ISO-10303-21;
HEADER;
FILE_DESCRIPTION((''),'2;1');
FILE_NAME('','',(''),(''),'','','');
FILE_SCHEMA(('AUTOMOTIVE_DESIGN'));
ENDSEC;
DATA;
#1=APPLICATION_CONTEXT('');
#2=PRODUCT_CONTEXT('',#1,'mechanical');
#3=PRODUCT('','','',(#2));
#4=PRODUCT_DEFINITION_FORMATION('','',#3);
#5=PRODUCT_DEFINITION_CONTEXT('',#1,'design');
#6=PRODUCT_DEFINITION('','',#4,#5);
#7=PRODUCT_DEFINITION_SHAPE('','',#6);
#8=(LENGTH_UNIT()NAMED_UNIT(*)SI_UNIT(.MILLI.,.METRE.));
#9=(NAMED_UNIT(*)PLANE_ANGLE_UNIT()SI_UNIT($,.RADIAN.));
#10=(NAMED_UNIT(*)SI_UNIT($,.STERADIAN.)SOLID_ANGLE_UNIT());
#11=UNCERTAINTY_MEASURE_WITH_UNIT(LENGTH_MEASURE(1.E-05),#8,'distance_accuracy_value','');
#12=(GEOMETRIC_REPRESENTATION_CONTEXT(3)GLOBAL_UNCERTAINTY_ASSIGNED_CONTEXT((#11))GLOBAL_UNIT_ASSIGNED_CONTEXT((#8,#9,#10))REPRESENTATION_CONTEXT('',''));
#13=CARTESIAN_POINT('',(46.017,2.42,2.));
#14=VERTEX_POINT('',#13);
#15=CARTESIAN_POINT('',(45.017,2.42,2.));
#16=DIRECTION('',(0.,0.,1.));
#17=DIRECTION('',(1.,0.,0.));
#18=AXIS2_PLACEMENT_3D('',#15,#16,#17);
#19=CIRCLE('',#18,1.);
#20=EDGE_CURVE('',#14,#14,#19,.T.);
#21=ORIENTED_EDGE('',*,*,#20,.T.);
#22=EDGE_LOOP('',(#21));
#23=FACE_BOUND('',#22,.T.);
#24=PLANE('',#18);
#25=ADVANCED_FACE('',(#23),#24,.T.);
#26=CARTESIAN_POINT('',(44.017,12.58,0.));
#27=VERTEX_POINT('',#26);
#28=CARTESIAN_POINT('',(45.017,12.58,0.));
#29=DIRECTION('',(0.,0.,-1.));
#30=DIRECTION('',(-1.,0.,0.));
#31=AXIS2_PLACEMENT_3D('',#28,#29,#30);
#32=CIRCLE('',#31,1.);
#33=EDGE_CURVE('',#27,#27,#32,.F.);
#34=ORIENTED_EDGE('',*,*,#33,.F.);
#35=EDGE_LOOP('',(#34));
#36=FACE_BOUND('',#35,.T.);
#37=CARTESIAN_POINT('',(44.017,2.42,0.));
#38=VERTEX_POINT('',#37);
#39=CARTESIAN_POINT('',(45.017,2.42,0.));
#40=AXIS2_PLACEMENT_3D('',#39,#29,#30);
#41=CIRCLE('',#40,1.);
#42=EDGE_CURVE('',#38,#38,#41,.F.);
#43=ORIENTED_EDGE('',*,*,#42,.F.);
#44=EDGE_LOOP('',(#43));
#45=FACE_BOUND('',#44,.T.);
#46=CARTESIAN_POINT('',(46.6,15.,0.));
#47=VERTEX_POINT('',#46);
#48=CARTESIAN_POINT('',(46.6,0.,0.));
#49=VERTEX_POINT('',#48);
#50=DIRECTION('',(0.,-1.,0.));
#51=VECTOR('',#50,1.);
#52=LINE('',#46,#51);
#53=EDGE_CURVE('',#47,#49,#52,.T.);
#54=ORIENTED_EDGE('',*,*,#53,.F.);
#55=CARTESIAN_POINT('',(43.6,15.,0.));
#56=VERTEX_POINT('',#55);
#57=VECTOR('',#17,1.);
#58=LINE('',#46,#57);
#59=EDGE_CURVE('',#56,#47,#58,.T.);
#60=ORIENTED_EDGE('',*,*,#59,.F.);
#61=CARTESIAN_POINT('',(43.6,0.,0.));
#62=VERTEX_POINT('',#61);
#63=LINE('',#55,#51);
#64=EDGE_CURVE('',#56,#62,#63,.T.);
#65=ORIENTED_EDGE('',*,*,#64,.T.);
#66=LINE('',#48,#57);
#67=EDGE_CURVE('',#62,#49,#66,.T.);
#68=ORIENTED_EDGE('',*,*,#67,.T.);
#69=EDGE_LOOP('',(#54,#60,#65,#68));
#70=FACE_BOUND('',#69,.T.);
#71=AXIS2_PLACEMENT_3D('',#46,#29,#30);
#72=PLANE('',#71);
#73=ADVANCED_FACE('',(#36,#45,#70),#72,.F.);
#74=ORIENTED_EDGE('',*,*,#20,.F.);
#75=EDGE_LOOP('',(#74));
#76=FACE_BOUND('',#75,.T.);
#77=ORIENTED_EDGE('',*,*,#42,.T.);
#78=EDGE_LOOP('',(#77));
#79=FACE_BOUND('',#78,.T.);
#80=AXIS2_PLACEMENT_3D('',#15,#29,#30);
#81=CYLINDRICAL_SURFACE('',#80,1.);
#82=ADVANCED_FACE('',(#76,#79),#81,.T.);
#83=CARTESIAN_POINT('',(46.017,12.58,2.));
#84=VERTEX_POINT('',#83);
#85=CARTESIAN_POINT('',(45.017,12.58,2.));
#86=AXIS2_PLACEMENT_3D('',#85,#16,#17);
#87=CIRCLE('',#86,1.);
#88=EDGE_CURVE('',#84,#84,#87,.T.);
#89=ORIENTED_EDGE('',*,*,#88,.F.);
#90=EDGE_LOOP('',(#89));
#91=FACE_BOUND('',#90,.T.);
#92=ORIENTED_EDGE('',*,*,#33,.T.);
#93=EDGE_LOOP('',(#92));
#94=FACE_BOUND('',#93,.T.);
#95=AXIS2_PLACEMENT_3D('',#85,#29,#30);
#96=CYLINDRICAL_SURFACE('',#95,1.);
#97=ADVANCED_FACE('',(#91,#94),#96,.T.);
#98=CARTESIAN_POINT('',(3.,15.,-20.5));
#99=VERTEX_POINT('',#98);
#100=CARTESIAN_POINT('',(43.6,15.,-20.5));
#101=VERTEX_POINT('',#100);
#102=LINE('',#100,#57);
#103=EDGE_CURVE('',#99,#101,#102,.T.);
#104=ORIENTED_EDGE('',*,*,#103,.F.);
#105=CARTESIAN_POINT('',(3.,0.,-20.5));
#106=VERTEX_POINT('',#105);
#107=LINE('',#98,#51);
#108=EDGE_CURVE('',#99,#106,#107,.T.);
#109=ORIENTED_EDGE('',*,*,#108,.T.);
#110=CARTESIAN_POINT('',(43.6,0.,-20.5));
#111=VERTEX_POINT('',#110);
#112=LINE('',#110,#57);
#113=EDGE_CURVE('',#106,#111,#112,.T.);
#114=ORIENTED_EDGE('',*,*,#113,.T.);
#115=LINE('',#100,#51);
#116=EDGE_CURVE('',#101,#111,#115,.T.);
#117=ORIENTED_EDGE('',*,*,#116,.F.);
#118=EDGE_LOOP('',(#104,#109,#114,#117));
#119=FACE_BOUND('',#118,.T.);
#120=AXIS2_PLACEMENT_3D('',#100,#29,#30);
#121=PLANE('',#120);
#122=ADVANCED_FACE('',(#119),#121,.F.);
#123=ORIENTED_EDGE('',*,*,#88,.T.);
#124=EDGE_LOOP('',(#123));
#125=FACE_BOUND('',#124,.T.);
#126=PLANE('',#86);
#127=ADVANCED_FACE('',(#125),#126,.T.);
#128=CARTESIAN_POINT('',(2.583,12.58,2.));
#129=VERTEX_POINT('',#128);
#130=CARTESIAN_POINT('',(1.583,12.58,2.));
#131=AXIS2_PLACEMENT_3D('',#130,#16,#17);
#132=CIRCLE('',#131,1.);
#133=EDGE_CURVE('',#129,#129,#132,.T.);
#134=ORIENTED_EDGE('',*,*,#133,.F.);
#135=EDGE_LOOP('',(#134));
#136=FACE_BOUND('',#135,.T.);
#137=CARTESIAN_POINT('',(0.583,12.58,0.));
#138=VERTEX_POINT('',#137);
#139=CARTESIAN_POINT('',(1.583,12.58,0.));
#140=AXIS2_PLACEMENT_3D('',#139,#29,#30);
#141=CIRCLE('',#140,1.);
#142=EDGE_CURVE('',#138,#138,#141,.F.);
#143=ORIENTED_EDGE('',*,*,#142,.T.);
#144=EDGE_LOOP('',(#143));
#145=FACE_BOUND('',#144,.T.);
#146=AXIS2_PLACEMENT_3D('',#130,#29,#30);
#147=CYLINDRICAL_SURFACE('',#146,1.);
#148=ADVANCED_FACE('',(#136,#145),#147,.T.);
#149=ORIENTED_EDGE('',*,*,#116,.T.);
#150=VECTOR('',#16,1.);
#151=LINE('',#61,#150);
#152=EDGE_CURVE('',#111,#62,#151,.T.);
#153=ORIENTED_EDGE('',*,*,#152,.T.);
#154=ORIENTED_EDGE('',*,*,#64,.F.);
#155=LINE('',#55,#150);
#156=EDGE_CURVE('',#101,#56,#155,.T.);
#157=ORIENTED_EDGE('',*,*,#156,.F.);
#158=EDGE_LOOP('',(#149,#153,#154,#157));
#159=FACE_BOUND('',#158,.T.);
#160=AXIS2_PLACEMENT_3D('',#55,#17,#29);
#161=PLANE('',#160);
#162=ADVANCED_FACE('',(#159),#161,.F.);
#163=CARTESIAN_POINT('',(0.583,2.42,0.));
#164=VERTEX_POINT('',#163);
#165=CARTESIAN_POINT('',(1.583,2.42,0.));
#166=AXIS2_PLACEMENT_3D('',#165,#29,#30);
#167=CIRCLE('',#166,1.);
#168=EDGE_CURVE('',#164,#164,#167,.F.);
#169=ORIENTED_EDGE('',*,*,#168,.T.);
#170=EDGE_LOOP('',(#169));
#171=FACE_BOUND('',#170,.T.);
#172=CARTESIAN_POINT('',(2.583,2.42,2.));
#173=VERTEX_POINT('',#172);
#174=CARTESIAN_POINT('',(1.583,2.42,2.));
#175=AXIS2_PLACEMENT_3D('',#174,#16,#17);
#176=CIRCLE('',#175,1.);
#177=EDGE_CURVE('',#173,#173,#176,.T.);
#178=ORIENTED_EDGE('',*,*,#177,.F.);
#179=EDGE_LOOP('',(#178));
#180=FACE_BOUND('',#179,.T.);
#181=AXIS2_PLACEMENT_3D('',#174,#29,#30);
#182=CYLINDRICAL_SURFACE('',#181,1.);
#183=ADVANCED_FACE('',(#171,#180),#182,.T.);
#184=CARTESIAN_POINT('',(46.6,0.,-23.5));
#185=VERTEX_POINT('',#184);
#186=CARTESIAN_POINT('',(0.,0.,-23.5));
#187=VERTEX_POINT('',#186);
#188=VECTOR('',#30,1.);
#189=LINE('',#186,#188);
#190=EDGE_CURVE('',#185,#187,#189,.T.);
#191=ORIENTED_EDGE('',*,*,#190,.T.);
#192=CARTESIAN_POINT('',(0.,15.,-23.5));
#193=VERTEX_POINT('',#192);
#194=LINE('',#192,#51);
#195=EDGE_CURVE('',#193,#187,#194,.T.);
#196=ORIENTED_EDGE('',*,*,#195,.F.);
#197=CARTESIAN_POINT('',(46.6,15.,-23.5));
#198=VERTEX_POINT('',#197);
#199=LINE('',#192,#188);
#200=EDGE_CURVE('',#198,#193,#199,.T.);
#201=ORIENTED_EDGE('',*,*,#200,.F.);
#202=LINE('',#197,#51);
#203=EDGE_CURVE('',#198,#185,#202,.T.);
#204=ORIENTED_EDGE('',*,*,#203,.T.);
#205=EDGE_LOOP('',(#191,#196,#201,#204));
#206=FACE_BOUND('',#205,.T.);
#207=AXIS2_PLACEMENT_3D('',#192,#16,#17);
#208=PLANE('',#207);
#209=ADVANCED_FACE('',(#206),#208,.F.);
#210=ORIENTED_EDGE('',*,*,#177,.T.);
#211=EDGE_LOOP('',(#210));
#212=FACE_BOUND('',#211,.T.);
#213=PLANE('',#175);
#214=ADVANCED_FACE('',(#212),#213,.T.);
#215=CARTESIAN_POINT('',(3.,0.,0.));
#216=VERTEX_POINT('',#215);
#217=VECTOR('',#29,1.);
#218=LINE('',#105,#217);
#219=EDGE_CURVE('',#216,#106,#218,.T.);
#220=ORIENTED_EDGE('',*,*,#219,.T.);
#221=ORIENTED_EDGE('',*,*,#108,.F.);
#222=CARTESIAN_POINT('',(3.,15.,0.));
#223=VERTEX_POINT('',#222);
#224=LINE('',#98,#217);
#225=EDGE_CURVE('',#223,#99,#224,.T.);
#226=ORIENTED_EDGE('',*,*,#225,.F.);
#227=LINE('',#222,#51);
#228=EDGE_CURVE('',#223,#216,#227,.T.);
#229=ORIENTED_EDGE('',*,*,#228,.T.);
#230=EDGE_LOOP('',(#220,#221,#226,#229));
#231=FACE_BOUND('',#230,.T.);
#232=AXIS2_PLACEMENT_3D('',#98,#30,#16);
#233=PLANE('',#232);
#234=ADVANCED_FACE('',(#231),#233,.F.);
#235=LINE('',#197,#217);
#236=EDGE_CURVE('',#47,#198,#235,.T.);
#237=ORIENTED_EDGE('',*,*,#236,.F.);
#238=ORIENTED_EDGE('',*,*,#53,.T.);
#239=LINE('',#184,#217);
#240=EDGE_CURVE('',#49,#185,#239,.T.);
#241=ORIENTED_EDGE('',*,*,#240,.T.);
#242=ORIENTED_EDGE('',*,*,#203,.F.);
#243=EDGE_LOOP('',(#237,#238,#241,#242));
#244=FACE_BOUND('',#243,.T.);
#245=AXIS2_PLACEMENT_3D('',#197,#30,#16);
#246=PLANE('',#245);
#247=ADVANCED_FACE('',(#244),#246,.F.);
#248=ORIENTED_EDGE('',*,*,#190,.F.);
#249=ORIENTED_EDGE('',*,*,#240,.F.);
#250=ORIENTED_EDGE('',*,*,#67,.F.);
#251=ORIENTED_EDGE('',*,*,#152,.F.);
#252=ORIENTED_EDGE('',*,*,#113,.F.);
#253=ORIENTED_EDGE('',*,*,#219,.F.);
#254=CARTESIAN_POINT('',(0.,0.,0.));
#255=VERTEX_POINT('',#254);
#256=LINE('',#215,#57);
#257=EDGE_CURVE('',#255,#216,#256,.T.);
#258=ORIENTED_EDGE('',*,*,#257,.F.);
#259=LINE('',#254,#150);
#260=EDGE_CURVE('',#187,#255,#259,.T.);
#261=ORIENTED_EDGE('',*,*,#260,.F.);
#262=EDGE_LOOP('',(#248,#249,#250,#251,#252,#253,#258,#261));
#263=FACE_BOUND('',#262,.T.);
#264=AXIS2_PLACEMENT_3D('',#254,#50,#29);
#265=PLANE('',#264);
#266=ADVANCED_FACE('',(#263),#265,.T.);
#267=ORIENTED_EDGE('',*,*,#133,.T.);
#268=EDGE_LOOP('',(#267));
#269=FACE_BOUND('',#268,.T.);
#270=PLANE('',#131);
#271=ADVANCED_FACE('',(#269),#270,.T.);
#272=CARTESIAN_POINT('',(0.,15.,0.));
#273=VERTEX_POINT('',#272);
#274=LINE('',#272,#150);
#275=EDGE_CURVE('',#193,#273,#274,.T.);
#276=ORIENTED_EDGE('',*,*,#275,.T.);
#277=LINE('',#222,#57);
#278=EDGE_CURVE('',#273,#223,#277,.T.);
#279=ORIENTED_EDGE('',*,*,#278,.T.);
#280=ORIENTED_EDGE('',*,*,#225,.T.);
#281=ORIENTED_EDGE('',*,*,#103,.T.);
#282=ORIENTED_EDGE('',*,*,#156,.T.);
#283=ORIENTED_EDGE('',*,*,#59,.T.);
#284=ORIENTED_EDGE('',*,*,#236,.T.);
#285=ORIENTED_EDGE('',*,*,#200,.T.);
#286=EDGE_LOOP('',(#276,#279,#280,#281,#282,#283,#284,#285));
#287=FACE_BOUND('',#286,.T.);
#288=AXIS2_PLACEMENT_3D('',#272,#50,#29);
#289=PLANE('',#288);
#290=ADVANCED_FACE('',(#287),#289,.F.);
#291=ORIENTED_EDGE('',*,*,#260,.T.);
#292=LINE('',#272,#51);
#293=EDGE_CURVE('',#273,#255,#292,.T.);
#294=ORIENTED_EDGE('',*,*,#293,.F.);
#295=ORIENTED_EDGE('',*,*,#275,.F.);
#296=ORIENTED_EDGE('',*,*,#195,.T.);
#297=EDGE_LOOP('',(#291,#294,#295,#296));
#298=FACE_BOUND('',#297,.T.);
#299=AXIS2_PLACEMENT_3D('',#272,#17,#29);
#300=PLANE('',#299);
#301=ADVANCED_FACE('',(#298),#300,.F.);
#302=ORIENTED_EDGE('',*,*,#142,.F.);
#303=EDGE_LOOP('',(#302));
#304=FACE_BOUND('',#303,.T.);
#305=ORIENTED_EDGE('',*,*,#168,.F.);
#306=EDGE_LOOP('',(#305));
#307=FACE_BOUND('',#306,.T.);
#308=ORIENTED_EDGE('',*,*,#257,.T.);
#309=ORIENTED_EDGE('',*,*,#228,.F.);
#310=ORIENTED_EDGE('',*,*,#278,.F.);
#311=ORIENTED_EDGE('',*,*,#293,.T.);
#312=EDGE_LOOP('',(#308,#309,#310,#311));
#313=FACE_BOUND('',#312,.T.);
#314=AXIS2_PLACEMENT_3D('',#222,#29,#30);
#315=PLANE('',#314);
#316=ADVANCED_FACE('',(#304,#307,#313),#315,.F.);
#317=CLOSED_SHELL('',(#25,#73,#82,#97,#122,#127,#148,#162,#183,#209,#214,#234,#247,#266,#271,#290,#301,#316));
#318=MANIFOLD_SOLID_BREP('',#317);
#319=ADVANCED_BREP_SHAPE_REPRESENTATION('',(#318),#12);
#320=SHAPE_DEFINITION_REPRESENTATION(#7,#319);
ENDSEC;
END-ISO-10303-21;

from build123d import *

# Parameters (mm, degrees)
BOSS_EXTRUDE2_DEPTH = 15
SKETCH4_R           = 1
BOSS_EXTRUDE3_DEPTH = 2


with BuildPart() as part:
    # Sketch2 → Boss-Extrude2 (new body)
    with BuildSketch(Plane(origin=(0, 0, 0), x_dir=(1, 0, 0), z_dir=(0, 1, 0))):
        Polygon((0, 0), (0, 23.5), (46.6, 23.5), (46.6, 0), (43.6, 0), (43.6, 20.5), (3, 20.5), (3, 0), align=None)
    extrude(amount=BOSS_EXTRUDE2_DEPTH)

    # Sketch4 → Boss-Extrude3 (add)
    with BuildSketch(Plane.XY):
        with Locations(Location((1.583, 2.42, 0), (0, 0, 180))):
            Circle(SKETCH4_R)
        with Locations(Location((1.583, 12.58, 0), (0, 0, 180))):
            Circle(SKETCH4_R)
        with Locations(Location((45.017, 12.58, 0), (0, 0, 180))):
            Circle(SKETCH4_R)
        with Locations(Location((45.017, 2.42, 0), (0, 0, 180))):
            Circle(SKETCH4_R)
    extrude(amount=BOSS_EXTRUDE3_DEPTH)


solid = part.part
